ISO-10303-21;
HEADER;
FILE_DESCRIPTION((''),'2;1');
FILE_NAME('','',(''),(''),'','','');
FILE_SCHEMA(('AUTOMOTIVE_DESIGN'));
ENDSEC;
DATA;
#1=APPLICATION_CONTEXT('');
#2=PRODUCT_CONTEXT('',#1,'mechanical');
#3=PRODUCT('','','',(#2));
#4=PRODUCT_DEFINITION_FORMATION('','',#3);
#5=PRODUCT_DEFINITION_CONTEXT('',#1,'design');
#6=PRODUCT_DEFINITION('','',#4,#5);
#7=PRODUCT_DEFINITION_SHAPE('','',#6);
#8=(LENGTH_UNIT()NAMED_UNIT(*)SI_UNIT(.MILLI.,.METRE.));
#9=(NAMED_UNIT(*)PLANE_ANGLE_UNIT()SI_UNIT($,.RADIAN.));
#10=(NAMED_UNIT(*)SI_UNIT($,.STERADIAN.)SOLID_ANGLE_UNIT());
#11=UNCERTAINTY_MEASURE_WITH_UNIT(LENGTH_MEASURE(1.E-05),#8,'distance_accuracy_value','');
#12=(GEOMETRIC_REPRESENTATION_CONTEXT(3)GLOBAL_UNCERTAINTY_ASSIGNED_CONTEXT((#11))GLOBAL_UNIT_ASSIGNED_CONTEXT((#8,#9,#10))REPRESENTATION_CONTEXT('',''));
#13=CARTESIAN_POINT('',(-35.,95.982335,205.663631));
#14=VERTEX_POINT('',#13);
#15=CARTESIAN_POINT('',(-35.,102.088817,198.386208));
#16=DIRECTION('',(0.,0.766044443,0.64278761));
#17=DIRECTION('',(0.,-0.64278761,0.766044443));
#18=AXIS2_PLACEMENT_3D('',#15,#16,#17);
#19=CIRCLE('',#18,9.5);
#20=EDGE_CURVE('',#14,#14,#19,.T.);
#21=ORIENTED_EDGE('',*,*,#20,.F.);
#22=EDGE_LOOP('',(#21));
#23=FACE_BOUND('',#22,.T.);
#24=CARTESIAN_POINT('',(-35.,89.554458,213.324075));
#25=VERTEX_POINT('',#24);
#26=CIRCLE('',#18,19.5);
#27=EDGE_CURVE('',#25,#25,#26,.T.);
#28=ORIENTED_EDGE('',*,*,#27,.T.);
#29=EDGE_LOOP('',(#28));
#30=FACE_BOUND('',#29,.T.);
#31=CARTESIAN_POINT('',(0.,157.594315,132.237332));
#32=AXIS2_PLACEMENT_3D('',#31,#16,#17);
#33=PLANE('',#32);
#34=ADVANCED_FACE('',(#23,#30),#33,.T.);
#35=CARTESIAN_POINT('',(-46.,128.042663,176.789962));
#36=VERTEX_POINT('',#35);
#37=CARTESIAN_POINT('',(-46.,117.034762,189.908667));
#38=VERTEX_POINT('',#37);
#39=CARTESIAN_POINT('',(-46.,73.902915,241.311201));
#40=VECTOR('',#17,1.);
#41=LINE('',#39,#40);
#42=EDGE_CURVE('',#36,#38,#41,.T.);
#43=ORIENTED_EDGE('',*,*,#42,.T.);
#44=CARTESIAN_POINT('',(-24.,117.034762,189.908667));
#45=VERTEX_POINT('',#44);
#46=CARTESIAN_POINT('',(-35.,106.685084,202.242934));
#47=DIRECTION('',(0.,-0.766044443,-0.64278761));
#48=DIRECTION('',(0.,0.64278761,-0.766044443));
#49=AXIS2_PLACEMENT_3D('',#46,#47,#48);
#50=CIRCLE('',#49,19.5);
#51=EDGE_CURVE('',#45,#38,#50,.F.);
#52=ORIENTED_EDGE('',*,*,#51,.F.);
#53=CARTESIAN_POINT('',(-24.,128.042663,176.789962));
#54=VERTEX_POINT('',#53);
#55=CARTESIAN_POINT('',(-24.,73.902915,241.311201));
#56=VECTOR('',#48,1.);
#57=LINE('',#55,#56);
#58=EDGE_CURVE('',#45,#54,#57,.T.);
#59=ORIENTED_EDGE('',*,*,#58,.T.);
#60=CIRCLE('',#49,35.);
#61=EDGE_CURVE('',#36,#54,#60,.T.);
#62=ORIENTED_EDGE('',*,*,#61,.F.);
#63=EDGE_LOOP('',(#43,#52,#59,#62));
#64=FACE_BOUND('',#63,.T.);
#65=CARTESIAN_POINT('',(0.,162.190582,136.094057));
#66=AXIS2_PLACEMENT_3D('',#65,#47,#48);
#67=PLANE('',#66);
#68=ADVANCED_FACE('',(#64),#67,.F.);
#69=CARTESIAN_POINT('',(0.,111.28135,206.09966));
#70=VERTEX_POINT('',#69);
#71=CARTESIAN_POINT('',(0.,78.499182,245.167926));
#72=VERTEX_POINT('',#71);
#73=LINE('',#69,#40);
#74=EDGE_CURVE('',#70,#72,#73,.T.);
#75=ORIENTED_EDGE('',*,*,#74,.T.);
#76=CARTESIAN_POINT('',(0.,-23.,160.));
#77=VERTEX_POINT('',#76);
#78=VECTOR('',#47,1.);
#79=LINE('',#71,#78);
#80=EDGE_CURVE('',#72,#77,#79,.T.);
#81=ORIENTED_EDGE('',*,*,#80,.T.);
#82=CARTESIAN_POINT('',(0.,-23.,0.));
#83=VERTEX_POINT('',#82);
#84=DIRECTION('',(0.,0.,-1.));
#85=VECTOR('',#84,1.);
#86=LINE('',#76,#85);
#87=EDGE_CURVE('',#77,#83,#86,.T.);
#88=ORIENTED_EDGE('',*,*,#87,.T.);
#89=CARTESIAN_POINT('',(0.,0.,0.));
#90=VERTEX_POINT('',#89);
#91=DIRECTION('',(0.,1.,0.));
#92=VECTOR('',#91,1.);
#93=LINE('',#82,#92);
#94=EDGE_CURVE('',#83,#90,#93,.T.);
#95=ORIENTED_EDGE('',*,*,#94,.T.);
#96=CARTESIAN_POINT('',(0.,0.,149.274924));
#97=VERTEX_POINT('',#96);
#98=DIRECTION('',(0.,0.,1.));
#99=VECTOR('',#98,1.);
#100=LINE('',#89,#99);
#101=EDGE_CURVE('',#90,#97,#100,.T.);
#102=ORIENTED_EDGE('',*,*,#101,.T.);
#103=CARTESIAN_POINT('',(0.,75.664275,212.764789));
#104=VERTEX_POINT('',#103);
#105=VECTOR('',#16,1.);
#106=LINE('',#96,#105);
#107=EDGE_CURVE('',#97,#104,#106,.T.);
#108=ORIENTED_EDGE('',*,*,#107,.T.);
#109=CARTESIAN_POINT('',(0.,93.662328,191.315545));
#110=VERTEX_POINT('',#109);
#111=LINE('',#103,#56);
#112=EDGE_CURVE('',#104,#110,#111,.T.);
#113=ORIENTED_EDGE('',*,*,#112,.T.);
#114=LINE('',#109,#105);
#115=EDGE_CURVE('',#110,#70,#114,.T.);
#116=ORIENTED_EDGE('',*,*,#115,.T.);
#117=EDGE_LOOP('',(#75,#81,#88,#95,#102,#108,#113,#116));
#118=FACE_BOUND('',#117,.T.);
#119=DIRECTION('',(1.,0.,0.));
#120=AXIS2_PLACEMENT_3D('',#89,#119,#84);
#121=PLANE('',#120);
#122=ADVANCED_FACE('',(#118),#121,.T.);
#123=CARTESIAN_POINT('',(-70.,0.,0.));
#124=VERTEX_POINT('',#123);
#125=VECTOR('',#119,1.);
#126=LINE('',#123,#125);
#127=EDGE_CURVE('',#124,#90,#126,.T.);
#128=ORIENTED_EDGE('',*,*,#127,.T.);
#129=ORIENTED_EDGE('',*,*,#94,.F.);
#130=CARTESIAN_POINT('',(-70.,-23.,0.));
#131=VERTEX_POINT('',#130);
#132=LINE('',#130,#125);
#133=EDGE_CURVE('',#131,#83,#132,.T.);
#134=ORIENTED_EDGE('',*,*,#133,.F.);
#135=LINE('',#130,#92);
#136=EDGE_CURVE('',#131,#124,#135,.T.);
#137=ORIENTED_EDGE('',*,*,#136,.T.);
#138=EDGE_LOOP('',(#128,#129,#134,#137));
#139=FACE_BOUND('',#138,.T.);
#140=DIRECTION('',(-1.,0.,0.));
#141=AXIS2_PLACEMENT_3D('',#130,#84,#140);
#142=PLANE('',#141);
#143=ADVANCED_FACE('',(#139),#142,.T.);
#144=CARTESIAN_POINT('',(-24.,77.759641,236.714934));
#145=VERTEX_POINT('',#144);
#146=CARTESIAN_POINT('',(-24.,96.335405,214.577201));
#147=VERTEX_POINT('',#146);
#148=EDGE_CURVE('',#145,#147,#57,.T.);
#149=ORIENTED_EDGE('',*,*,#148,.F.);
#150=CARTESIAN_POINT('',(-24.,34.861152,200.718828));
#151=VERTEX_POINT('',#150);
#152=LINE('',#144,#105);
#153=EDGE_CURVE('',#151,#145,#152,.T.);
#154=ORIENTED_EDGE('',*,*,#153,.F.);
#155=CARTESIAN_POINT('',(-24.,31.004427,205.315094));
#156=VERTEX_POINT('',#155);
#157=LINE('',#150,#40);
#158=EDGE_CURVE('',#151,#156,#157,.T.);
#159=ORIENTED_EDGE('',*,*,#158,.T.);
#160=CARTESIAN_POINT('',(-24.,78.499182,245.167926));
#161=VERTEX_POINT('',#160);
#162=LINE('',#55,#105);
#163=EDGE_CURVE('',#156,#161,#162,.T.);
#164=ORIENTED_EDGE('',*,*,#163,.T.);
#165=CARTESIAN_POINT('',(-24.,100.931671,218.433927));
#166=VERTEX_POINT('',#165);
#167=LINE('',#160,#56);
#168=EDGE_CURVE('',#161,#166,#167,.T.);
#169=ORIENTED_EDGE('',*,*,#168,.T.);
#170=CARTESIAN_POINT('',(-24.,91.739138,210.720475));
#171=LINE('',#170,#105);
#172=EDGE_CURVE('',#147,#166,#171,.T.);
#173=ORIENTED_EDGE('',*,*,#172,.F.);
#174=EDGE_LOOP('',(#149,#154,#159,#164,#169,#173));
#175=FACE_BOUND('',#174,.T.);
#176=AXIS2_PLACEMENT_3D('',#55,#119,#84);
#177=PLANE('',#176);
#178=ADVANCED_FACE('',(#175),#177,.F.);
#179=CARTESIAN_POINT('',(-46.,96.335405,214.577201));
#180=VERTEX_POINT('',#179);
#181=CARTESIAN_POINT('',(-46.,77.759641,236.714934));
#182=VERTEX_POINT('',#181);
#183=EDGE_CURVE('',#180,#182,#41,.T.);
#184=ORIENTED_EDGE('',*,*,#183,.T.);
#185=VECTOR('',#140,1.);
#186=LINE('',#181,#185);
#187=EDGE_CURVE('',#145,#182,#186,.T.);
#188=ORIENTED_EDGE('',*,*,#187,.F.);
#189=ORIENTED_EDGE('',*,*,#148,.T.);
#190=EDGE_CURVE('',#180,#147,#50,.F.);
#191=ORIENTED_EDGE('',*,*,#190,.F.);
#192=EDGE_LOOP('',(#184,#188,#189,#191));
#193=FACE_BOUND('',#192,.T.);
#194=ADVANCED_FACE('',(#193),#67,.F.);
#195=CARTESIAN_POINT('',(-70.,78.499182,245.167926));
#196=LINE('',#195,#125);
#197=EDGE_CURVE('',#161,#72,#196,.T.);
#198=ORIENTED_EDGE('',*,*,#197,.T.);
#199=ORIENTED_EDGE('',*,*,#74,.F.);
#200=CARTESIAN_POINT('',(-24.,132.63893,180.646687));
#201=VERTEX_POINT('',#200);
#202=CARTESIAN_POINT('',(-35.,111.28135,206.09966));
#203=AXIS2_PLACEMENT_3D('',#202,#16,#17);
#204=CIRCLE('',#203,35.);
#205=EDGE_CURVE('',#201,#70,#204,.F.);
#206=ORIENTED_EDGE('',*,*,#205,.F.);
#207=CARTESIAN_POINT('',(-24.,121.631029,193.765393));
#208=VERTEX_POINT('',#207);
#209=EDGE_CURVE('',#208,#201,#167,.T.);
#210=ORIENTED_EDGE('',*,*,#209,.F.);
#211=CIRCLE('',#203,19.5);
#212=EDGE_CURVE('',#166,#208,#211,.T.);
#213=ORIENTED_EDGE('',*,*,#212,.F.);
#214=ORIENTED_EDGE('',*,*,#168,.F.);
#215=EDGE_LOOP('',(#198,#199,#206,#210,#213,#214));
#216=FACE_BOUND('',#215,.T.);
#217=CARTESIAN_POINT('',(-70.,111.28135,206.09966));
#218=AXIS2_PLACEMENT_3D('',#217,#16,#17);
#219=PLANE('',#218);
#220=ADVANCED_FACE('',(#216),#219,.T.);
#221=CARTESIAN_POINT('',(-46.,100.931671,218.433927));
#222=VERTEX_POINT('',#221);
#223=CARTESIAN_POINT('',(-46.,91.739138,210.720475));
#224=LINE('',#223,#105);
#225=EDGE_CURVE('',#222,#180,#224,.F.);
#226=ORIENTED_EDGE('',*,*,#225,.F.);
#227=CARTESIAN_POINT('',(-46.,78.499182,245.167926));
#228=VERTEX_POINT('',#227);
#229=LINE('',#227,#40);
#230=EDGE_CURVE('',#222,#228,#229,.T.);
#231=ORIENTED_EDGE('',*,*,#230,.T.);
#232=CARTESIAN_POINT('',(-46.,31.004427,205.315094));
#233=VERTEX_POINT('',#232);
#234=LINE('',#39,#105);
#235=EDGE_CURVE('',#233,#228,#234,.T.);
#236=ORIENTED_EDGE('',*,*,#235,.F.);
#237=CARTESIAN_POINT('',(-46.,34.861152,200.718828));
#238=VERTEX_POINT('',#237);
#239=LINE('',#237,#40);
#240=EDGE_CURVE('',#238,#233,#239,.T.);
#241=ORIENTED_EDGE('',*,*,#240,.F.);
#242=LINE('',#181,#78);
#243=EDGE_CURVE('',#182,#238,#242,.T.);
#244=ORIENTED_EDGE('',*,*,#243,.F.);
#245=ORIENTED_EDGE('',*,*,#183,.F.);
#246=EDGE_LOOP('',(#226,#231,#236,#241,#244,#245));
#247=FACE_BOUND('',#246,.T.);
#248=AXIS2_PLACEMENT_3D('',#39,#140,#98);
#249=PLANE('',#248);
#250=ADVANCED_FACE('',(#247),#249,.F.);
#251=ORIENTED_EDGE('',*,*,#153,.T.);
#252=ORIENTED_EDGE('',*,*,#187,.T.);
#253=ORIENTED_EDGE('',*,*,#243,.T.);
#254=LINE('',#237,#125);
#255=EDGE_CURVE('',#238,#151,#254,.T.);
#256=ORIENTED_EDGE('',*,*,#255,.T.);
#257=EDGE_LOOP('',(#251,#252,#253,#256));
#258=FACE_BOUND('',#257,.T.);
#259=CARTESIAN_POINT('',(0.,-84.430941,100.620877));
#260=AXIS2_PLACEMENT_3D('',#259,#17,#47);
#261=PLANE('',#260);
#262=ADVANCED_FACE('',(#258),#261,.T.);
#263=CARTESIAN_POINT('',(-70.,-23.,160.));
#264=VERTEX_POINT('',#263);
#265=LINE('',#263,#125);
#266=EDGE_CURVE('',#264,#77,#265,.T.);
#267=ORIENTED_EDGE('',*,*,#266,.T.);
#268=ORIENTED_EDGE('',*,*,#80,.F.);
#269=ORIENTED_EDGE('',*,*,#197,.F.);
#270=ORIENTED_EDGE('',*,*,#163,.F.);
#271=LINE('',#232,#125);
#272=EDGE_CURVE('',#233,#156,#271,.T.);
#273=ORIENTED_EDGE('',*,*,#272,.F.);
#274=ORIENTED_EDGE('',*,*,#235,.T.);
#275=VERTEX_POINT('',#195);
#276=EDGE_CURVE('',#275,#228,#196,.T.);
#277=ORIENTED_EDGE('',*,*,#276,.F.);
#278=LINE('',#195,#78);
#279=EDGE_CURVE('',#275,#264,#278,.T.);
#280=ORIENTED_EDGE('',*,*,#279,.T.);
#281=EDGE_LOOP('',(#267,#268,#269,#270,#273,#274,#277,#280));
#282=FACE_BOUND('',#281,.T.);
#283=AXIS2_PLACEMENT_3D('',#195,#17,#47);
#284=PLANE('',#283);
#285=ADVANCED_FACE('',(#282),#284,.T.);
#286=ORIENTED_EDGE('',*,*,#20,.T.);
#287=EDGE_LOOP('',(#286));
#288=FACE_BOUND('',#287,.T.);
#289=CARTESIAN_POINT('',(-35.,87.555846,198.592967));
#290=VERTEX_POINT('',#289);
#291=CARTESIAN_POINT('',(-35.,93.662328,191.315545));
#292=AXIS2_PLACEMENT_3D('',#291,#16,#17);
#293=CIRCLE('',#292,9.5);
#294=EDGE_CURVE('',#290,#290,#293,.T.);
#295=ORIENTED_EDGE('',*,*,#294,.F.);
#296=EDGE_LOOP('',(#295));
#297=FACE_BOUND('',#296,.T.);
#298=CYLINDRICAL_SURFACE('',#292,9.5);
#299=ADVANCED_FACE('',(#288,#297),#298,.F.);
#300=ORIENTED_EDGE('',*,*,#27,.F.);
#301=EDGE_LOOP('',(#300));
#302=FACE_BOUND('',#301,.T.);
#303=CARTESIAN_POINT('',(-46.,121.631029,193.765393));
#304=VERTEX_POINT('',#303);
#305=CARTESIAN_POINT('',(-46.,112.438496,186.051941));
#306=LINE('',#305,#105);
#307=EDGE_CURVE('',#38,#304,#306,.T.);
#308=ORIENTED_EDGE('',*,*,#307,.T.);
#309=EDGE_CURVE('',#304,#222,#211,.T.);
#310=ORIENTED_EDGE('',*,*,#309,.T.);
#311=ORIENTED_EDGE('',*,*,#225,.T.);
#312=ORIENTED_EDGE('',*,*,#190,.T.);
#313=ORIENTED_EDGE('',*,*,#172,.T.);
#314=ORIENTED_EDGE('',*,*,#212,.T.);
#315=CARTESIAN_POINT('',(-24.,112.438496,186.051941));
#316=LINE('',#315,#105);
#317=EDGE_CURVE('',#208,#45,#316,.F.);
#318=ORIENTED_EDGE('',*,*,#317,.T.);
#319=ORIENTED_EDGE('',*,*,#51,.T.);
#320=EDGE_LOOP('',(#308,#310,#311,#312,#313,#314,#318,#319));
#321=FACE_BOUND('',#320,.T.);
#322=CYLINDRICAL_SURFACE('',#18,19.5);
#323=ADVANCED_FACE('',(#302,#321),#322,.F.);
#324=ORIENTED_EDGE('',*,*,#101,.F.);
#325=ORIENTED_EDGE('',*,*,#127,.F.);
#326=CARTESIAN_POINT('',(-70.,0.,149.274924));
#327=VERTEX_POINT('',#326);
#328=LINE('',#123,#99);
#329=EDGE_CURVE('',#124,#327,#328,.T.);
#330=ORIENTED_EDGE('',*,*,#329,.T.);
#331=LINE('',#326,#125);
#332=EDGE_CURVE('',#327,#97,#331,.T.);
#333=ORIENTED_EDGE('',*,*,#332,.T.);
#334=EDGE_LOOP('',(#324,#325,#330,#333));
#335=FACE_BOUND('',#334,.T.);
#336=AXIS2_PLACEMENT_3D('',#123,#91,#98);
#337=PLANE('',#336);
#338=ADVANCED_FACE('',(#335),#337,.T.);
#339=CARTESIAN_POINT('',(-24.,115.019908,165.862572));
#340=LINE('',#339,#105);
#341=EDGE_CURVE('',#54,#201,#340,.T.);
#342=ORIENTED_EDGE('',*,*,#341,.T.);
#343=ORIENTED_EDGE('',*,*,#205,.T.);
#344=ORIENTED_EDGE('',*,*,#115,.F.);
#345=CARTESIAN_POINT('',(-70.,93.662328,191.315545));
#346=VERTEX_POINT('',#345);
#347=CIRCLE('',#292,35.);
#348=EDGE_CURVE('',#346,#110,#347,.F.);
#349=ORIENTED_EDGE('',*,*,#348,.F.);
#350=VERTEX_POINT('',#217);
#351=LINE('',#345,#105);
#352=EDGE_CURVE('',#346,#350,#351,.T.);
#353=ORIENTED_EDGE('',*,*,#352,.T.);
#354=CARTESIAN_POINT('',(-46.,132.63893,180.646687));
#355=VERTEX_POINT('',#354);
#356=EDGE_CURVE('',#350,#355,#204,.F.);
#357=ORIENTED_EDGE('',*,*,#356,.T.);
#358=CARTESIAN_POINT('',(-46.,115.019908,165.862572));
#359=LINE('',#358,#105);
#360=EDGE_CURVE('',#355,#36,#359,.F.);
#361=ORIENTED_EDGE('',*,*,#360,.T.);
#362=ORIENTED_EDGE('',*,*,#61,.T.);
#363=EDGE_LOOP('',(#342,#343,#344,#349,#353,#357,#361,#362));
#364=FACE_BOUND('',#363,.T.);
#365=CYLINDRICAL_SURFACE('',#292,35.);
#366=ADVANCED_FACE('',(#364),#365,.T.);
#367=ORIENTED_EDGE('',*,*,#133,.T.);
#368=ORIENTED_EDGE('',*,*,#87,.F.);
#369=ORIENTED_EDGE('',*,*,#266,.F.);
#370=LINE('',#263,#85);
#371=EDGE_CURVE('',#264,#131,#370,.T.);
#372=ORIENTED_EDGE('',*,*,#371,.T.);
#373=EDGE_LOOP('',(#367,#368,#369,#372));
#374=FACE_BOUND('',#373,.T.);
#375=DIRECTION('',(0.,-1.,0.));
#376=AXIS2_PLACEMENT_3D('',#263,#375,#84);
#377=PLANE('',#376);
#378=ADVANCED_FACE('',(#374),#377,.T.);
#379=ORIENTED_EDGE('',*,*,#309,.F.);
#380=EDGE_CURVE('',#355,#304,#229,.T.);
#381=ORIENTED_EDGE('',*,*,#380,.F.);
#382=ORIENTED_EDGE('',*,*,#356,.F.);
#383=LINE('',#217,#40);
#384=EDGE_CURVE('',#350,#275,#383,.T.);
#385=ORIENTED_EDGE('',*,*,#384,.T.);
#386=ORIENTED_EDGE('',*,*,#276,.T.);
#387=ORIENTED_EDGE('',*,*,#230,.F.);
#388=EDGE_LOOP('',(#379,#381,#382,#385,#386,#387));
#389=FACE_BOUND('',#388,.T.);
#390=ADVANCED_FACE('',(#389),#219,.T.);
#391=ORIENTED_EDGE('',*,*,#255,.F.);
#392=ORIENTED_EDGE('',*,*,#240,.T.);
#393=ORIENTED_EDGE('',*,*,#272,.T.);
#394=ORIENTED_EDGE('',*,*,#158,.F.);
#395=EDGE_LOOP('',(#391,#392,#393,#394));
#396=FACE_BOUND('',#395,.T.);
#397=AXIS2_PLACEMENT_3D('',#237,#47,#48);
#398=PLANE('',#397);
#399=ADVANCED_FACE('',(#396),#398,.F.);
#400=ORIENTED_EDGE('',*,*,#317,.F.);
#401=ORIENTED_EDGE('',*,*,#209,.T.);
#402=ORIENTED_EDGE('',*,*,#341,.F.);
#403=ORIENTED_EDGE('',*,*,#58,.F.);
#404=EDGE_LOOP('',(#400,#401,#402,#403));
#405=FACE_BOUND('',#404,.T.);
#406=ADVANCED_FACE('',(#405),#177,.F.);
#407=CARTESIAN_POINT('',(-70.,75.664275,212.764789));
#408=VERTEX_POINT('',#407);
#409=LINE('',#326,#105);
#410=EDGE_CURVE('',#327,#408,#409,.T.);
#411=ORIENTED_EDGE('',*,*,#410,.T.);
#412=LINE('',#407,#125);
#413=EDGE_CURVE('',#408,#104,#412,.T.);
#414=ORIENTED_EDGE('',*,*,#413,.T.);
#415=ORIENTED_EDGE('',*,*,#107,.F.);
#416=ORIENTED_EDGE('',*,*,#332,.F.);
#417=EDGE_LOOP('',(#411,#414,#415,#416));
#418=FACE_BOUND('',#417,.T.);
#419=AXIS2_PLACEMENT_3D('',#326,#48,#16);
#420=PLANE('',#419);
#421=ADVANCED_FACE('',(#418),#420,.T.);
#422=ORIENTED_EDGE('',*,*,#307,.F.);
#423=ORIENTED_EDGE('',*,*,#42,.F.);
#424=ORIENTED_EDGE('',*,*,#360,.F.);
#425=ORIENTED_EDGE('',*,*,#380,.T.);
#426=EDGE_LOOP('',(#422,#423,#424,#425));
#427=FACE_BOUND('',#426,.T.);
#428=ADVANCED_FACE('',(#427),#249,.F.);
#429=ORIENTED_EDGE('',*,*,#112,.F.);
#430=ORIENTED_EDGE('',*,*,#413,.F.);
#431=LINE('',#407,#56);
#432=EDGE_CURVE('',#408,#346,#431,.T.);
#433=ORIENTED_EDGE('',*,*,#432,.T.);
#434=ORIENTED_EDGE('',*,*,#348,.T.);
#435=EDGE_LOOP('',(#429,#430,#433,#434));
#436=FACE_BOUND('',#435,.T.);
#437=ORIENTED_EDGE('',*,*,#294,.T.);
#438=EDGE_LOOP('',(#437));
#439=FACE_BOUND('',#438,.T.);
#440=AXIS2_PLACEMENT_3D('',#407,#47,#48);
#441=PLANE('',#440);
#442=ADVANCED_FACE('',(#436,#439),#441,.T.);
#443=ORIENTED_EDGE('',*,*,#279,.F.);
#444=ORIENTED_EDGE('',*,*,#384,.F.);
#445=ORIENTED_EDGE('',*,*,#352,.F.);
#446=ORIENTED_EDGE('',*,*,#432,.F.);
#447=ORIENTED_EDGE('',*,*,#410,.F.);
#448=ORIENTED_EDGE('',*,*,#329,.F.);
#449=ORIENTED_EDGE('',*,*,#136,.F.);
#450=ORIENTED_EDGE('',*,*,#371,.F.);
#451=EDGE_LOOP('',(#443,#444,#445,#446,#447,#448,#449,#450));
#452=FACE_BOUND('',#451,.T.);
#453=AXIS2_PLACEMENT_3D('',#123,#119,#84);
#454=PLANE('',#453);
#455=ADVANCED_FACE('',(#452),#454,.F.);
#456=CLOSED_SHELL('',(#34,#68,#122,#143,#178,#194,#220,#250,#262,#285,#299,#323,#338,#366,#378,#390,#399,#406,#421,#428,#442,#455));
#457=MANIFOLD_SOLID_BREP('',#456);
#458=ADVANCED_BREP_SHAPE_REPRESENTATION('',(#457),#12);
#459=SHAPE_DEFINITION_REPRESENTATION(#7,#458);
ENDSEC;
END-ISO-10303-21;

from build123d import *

# Parameters (mm, degrees)
BOSS_EXTRUDE1_DEPTH = 70
BOSS_EXTRUDE2_DEPTH = 23
SKETCH3_3_R         = 9.5
CUT_EXTRUDE1_DEPTH  = 23
SKETCH3_4_R         = 19.5
SKETCH3_4_R_2       = 9.5
CUT_EXTRUDE2_DEPTH  = 12
SKETCH4_W           = 22
SKETCH4_H           = 92.60205789
CUT_EXTRUDE3_DEPTH  = 6
SKETCH5_W           = 22
SKETCH5_H           = 56
CUT_EXTRUDE4_DEPTH  = 6


with BuildPart() as part:
    # Sketch1 → Boss-Extrude1 (new body)
    with BuildSketch(Plane(origin=(0, 0, 0), x_dir=(0, 0, -1), z_dir=(1, 0, 0))):
        Polygon((0, 0), (-149.274923862, 0), (-212.764789027, 75.664274903), (-191.31554462, 93.662327975), (-206.099659643, 111.281350166), (-245.167926242, 78.499182072), (-160, -23), (0, -23), align=None)
    extrude(amount=-BOSS_EXTRUDE1_DEPTH)

    # Sketch3 → Boss-Extrude2 (add)
    with BuildSketch(Plane(origin=(0, 166.78684827, 139.950782869), x_dir=(1, 0, 0), z_dir=(0, 0.7660444431189739, 0.6427876096865442))):
        with BuildLine():
            ThreePointArc((0, -86.351225922), (-35, -51.351225922), (-70, -86.351225922))
            Line((-70, -86.351225922), (-54.5, -86.351225922))
            ThreePointArc((-54.5, -86.351225922), (-35, -105.851225922), (-15.5, -86.351225922))
            Line((-15.5, -86.351225922), (0, -86.351225922))
        make_face()
    extrude(amount=-BOSS_EXTRUDE2_DEPTH)

    # Sketch3<3> → Cut-Extrude1 (cut)
    with BuildSketch(Plane(origin=(0, 166.78684827, 139.950782869), x_dir=(1, 0, 0), z_dir=(0, 0.7660444431189739, 0.6427876096865442))):
        with Locations((-35, -86.351225922)):
            Circle(SKETCH3_3_R)
    extrude(amount=-CUT_EXTRUDE1_DEPTH, mode=Mode.SUBTRACT)

    # Sketch3<4> → Cut-Extrude2 (cut)
    with BuildSketch(Plane(origin=(0, 166.78684827, 139.950782869), x_dir=(1, 0, 0), z_dir=(0, 0.7660444431189739, 0.6427876096865442))):
        with Locations((-35, -86.351225922)):
            Circle(SKETCH3_4_R)
        with Locations((-35, -86.351225922)):
            Circle(SKETCH3_4_R_2, mode=Mode.SUBTRACT)
    extrude(amount=-CUT_EXTRUDE2_DEPTH, mode=Mode.SUBTRACT)

    # Sketch4 → Cut-Extrude3 (cut)
    with BuildSketch(Plane(origin=(0, 166.78684827, 139.950782869), x_dir=(1, 0, 0), z_dir=(0, 0.7660444431189739, 0.6427876096865442))):
        with Locations((-35, -91.050196977)):
            Rectangle(SKETCH4_W, SKETCH4_H)
    extrude(amount=-CUT_EXTRUDE3_DEPTH, mode=Mode.SUBTRACT)

    # Sketch5 → Cut-Extrude4 (cut)
    with BuildSketch(Plane(origin=(0, -88.287666198, 105.217143373), x_dir=(1, 0, 0), z_dir=(0, -0.6427876096865438, 0.7660444431189745))):
        with Locations((-35, 183.724767497)):
            Rectangle(SKETCH5_W, SKETCH5_H)
    extrude(amount=-CUT_EXTRUDE4_DEPTH, mode=Mode.SUBTRACT)


solid = part.part
